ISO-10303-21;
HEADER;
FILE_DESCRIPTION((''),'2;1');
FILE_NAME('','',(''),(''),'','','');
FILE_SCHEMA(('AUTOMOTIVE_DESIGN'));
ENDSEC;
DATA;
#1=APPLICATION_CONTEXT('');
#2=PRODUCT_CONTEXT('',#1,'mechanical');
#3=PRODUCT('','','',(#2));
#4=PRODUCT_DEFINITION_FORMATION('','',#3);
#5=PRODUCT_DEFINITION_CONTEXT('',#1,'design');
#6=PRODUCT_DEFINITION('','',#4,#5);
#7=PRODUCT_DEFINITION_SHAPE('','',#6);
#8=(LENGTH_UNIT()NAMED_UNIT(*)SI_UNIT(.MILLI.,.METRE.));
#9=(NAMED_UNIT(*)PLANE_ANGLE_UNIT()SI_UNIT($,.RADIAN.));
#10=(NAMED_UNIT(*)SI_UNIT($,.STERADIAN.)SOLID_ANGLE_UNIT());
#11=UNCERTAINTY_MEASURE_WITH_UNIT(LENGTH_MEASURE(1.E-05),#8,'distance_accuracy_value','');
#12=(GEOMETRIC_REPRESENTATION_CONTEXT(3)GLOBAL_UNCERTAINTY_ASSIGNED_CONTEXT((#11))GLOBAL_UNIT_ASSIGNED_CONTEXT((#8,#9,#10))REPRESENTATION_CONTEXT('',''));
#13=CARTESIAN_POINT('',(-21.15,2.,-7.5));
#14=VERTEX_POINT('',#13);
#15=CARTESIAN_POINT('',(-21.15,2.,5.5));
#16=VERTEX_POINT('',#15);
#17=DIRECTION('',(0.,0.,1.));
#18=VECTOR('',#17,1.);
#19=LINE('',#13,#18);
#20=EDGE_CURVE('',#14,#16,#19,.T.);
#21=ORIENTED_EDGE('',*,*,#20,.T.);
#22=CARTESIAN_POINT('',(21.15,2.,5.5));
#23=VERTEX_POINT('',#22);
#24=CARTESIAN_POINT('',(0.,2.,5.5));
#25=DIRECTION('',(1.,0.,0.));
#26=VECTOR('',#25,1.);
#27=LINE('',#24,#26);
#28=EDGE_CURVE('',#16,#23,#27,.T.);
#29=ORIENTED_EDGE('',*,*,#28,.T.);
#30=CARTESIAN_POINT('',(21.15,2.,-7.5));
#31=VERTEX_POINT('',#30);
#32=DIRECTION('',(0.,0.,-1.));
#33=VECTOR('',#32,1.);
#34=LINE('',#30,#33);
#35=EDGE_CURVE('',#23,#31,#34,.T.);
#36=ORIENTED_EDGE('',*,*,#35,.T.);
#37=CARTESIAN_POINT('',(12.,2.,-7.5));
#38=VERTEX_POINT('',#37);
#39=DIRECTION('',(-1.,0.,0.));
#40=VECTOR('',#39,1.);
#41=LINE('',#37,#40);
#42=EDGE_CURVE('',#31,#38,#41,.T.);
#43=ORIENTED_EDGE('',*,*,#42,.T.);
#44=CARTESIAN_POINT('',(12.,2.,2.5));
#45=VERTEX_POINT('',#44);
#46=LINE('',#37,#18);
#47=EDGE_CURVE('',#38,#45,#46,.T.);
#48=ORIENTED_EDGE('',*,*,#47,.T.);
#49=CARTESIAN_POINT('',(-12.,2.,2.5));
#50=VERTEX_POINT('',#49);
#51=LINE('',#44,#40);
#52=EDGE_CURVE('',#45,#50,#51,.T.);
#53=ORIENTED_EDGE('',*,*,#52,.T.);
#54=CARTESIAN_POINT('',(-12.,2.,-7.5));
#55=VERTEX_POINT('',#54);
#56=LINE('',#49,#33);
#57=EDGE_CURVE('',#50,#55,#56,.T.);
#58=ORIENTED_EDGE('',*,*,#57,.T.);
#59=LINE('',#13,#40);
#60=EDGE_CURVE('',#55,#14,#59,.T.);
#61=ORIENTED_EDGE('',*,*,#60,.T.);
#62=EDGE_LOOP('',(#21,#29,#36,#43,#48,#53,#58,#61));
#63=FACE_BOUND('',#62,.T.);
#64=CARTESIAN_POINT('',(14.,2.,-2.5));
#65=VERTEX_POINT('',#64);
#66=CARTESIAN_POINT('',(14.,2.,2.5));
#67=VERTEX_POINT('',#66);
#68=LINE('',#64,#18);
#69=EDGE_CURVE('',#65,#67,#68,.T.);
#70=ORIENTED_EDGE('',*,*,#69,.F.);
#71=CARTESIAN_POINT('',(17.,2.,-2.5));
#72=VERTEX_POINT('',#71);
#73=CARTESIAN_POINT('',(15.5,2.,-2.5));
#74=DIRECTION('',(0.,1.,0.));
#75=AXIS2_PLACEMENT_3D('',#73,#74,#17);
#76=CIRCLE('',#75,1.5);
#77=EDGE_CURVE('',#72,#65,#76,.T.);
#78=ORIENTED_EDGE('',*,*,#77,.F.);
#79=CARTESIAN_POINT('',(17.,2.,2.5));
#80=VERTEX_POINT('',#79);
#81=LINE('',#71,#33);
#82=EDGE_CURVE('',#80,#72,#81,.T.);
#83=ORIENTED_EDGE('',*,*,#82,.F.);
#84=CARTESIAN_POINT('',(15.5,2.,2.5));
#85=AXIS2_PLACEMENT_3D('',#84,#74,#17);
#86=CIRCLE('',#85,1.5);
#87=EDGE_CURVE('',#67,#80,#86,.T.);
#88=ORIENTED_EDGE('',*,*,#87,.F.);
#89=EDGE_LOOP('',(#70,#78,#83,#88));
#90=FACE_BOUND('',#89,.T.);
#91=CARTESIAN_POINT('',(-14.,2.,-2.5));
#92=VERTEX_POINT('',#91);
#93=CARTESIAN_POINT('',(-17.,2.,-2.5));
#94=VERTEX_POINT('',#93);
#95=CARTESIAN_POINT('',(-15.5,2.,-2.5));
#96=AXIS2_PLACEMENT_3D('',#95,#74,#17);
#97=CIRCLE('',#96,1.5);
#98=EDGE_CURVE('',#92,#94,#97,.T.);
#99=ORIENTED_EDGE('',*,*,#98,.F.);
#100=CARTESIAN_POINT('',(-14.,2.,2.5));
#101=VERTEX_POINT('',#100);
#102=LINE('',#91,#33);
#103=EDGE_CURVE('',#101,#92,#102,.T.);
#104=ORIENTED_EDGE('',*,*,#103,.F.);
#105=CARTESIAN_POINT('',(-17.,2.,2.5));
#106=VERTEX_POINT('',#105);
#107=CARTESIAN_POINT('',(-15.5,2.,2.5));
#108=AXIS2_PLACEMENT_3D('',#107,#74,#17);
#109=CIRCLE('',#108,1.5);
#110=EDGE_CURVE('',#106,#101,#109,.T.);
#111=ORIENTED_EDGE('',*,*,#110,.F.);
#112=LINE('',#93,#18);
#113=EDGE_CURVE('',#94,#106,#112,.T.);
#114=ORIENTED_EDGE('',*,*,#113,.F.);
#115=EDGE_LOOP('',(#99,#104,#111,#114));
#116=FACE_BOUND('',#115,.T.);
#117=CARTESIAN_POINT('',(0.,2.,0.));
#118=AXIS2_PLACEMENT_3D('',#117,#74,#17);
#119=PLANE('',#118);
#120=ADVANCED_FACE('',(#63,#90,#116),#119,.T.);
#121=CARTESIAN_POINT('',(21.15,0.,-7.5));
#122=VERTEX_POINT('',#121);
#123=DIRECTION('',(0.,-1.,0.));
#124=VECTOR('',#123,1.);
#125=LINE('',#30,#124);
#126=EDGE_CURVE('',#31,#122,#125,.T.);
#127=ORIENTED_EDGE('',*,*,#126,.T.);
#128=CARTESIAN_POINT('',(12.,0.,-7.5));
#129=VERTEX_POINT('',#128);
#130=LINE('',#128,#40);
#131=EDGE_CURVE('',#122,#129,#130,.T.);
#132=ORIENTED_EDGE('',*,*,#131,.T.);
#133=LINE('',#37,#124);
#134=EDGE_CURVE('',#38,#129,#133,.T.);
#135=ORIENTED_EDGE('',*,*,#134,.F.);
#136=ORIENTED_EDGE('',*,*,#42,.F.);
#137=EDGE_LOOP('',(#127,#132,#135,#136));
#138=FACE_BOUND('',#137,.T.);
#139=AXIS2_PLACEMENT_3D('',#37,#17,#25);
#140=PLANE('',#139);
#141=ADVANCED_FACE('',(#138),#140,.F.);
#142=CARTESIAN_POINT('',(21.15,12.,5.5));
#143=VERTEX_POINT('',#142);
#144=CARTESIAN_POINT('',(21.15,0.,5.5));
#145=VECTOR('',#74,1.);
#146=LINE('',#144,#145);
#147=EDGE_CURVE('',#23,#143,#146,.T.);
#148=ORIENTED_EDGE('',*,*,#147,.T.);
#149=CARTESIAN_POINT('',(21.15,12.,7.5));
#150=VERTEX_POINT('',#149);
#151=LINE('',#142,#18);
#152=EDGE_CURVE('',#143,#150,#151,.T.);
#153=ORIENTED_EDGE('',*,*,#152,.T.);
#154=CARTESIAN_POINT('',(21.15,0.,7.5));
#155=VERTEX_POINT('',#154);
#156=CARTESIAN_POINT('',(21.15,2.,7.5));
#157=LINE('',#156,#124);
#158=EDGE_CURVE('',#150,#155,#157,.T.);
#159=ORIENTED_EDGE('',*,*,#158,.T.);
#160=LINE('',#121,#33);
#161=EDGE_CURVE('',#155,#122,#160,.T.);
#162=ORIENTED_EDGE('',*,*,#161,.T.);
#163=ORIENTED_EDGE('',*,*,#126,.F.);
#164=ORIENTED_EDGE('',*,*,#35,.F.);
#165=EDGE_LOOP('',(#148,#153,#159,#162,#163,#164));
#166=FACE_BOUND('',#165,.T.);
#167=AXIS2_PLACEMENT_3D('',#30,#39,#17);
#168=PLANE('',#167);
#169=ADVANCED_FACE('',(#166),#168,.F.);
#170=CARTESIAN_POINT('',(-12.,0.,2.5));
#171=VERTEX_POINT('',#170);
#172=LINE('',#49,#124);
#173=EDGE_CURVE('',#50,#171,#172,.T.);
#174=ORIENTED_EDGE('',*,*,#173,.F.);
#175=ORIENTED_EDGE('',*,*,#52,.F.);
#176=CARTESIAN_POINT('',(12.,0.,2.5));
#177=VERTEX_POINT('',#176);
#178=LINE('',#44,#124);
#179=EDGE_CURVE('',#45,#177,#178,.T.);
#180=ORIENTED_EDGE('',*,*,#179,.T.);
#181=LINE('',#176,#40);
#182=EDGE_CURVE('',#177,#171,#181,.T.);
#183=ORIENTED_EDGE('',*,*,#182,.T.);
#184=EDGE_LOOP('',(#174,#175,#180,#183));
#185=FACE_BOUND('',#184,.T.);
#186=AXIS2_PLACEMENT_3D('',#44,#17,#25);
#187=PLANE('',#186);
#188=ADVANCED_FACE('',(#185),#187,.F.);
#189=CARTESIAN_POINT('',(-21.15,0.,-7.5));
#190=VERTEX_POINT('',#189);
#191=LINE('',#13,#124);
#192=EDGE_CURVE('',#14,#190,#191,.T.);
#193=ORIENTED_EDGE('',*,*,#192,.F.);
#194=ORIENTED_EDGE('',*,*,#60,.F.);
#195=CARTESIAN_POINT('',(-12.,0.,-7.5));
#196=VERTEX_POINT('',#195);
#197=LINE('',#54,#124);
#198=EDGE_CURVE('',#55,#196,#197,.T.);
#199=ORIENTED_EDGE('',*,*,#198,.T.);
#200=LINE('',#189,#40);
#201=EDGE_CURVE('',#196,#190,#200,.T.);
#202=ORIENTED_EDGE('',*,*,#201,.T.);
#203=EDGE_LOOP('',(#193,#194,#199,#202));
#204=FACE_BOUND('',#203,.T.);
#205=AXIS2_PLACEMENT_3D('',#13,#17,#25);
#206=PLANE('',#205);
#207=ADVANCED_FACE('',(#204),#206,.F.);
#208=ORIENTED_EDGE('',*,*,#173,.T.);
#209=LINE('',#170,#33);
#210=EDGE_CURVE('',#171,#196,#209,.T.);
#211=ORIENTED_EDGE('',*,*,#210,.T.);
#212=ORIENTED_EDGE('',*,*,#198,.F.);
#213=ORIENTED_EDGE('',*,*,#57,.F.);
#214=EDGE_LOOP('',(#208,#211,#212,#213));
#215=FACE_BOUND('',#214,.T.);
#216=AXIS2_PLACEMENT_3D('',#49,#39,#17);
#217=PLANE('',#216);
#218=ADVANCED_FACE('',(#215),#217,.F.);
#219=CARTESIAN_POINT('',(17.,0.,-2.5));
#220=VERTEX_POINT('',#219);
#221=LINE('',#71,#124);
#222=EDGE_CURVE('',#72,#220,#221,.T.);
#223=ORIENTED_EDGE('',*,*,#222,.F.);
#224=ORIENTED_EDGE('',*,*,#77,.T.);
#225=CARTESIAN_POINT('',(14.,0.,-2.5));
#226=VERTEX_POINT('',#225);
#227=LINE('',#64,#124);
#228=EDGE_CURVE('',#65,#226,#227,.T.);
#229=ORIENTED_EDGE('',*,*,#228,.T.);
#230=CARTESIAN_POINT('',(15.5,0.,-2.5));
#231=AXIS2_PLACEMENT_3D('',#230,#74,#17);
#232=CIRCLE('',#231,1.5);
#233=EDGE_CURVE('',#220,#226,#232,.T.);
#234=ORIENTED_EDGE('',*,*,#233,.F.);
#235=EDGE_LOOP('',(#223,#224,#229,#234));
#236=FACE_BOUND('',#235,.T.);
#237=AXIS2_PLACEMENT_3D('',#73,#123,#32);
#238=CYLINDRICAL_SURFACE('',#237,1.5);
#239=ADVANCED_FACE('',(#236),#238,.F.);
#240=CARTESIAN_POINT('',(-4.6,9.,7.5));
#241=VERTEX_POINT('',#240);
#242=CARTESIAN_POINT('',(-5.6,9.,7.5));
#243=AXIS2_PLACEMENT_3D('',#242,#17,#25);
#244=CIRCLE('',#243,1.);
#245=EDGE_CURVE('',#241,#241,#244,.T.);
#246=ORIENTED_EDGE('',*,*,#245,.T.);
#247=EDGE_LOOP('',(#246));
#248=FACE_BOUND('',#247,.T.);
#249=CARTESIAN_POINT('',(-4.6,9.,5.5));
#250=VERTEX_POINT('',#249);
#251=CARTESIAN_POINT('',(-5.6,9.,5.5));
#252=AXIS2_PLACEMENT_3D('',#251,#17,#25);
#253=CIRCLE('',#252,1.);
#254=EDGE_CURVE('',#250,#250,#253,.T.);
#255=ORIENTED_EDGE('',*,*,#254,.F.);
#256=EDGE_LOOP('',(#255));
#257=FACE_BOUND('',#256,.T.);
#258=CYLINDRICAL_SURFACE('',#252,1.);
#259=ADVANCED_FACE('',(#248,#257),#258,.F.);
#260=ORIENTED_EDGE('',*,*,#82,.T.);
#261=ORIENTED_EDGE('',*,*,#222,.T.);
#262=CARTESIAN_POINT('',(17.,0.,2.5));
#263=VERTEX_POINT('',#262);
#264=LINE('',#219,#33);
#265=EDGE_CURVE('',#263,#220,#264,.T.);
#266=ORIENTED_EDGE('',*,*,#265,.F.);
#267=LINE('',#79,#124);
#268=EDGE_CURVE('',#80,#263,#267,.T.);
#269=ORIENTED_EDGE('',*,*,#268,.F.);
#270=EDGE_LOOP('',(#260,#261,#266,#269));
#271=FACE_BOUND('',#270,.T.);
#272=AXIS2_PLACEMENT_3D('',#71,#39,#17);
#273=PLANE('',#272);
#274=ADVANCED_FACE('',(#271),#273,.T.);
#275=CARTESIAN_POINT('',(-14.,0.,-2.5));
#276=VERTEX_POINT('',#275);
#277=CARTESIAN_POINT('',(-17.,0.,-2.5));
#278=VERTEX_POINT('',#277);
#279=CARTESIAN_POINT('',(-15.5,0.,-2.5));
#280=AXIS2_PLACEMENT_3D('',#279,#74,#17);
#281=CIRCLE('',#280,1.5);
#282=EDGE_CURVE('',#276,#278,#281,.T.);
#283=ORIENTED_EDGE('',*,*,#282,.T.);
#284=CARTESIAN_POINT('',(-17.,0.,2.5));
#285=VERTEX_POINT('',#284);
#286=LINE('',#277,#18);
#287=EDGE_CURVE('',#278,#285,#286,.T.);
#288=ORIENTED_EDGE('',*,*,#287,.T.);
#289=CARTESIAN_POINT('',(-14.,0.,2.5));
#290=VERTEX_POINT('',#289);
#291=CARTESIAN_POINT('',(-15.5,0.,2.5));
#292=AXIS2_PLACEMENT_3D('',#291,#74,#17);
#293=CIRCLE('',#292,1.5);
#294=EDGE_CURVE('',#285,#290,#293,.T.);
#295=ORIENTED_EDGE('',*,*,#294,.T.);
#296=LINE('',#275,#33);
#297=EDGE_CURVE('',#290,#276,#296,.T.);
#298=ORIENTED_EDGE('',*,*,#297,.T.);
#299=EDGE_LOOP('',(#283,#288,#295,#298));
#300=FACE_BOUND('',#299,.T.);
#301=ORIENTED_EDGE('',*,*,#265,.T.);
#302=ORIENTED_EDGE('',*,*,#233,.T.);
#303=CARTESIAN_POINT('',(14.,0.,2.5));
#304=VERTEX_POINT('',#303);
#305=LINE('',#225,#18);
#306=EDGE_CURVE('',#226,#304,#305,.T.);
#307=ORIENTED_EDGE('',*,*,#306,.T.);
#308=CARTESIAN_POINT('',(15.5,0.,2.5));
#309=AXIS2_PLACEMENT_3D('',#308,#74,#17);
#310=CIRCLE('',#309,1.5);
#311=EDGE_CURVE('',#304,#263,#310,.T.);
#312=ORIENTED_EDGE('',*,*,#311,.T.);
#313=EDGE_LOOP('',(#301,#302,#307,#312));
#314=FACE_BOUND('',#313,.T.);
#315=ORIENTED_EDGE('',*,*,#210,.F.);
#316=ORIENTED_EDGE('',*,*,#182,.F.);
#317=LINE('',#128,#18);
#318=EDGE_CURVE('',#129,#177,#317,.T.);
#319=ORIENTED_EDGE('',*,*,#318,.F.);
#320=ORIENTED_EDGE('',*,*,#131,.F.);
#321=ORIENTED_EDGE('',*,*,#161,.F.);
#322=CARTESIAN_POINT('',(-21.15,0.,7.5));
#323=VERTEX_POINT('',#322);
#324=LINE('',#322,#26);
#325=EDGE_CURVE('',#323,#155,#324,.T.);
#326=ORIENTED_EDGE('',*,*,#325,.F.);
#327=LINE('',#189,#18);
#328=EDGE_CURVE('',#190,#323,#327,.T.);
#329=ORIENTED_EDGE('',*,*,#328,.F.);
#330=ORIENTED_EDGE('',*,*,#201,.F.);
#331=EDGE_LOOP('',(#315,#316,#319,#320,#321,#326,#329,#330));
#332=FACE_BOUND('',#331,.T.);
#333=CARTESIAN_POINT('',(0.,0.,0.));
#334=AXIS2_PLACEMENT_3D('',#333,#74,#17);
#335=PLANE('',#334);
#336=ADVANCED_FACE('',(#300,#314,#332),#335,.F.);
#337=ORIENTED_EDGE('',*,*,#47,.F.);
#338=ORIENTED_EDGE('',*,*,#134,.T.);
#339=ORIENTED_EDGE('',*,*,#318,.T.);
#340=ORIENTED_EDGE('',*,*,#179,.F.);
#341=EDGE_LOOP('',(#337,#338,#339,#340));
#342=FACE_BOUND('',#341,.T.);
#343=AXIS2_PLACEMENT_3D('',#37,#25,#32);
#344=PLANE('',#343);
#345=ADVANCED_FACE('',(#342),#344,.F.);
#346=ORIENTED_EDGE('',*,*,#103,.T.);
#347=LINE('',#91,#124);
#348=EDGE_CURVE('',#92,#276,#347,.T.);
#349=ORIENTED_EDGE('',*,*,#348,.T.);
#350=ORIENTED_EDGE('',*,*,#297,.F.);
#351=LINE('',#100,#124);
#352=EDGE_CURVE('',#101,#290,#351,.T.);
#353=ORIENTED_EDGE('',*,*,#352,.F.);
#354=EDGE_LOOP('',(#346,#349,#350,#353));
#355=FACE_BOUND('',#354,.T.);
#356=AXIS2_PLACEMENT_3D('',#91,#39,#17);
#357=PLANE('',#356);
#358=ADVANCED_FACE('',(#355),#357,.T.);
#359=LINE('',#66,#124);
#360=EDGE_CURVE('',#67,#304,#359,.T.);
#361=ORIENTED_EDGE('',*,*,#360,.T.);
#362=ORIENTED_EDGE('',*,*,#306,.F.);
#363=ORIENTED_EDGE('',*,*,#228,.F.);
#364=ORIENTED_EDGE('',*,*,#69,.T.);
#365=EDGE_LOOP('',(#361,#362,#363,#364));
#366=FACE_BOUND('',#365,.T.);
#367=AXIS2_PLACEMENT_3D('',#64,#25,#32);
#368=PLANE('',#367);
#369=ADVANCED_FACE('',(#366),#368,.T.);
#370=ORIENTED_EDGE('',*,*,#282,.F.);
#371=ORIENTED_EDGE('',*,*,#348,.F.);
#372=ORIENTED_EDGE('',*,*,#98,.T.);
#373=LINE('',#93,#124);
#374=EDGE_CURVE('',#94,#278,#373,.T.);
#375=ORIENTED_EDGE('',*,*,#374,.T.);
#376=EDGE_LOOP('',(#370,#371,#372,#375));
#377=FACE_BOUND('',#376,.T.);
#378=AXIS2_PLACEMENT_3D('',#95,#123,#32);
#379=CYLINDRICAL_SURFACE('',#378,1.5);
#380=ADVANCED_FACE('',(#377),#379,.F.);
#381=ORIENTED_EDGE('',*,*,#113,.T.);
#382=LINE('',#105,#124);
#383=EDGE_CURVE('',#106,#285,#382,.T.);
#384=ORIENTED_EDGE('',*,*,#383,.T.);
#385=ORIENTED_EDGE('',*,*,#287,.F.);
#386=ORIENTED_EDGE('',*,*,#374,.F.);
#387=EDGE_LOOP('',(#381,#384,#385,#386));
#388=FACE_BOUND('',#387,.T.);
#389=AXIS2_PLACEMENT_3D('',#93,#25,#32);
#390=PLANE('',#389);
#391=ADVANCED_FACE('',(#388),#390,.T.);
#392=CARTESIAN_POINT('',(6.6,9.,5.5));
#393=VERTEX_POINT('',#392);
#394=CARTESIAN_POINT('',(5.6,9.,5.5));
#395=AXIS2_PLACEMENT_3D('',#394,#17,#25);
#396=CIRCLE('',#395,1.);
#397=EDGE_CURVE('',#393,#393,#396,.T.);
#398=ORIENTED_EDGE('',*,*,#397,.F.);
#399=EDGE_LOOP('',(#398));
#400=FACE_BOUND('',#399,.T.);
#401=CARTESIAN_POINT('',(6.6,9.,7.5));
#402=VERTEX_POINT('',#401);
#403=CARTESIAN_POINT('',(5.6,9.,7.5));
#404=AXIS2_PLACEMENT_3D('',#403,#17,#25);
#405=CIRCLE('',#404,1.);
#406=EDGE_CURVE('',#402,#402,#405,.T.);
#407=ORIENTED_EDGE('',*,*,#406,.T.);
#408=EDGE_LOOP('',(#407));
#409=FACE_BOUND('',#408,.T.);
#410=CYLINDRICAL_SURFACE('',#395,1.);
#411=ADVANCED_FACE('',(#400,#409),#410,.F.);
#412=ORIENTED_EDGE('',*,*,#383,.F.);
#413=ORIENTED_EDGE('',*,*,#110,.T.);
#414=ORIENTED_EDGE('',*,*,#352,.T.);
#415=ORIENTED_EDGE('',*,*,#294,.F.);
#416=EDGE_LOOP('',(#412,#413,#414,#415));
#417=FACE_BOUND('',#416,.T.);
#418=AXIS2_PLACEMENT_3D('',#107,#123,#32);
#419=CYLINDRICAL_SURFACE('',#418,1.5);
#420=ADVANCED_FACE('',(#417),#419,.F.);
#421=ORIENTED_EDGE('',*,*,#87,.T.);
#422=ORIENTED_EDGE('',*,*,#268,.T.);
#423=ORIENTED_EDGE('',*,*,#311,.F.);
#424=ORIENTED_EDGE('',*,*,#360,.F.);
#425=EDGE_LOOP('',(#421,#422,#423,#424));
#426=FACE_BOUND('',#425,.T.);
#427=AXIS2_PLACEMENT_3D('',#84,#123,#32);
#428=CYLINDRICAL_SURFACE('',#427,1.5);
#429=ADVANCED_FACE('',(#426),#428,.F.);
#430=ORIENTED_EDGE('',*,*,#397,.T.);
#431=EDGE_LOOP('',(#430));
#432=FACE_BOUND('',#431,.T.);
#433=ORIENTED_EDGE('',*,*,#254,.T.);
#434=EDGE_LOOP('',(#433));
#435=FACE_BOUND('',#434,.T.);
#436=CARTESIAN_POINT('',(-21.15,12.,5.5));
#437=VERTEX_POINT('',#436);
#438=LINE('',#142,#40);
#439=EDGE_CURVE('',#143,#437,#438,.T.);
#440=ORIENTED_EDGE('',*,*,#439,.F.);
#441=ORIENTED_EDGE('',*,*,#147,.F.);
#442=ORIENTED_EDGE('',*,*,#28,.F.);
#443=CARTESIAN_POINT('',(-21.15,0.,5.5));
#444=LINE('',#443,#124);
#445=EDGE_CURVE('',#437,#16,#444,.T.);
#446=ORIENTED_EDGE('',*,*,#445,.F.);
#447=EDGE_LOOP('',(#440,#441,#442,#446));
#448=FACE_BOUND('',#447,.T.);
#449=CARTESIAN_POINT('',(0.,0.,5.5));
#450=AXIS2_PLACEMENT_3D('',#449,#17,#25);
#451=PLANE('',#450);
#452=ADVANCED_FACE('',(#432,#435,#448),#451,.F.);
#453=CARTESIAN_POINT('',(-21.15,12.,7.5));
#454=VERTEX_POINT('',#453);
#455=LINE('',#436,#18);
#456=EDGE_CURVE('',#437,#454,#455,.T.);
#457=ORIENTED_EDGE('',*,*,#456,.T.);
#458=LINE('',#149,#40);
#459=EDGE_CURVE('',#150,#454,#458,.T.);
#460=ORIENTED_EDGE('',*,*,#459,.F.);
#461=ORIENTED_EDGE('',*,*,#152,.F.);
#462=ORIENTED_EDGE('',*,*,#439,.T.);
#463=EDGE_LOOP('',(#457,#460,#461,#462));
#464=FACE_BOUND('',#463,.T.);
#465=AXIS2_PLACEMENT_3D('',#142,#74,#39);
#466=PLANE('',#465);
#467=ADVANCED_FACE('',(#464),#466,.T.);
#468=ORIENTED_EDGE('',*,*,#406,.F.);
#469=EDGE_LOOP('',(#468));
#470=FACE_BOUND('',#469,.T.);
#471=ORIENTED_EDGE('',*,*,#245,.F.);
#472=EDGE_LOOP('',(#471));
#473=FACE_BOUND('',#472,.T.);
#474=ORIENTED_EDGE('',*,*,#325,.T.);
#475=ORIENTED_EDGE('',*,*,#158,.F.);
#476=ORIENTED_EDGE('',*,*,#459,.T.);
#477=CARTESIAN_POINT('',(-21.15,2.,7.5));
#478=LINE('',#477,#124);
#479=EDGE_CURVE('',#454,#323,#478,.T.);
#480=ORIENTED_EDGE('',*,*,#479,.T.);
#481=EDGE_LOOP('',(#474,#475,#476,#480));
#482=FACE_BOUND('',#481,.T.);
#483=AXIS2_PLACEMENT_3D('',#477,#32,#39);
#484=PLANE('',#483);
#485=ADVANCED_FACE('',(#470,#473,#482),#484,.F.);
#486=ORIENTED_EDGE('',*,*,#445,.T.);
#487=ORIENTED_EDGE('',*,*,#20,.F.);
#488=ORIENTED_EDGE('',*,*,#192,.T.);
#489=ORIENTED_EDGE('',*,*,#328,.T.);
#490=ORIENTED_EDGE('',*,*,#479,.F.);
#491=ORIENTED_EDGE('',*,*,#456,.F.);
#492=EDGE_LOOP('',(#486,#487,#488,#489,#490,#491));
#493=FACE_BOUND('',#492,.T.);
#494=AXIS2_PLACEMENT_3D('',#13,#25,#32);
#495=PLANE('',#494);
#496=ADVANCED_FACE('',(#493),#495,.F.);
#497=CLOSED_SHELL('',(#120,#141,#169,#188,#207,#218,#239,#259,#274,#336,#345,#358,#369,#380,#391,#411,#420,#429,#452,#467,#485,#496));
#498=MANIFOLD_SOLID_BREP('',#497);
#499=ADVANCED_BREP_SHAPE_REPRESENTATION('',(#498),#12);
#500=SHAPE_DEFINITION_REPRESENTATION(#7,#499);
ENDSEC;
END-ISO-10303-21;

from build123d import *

# Parameters (mm, degrees)
DODANIE_WYCI_GNI_CIE1_DEPTH = 2
SZKIC4_W                    = 42.3
SZKIC4_H                    = 12
SZKIC4_R                    = 1
DODANIE_WYCI_GNI_CIE2_DEPTH = 2


with BuildPart() as part:
    # Szkic1 → Dodanie-wyciągnięcie1 (new body)
    with BuildSketch(Plane(origin=(0, 0, 0), x_dir=(1, 0, 0), z_dir=(0, 1, 0))):
        Polygon((-21.15, 7.5), (-12, 7.5), (-12, -2.5), (12, -2.5), (12, 7.5), (21.15, 7.5), (21.15, -7.5), (-21.15, -7.5), align=None)
        with BuildLine():
            Line((-14, 2.5), (-14, -2.5))
            ThreePointArc((-14, -2.5), (-15.5, -4), (-17, -2.5))
            Line((-17, -2.5), (-17, 2.5))
            ThreePointArc((-17, 2.5), (-15.5, 4), (-14, 2.5))
        make_face(mode=Mode.SUBTRACT)
        with BuildLine():
            Line((17, 2.5), (17, -2.5))
            ThreePointArc((17, -2.5), (15.5, -4), (14, -2.5))
            Line((14, -2.5), (14, 2.5))
            ThreePointArc((14, 2.5), (15.5, 4), (17, 2.5))
        make_face(mode=Mode.SUBTRACT)
    extrude(amount=DODANIE_WYCI_GNI_CIE1_DEPTH)

    # Szkic4 → Dodanie-wyciągnięcie2 (add)
    with BuildSketch(Plane.XY.offset(7.5)):
        with Locations((0, 6)):
            Rectangle(SZKIC4_W, SZKIC4_H)
        with Locations((-5.6, 9)):
            Circle(SZKIC4_R, mode=Mode.SUBTRACT)
        with Locations((5.6, 9)):
            Circle(SZKIC4_R, mode=Mode.SUBTRACT)
    extrude(amount=-DODANIE_WYCI_GNI_CIE2_DEPTH)


solid = part.part
